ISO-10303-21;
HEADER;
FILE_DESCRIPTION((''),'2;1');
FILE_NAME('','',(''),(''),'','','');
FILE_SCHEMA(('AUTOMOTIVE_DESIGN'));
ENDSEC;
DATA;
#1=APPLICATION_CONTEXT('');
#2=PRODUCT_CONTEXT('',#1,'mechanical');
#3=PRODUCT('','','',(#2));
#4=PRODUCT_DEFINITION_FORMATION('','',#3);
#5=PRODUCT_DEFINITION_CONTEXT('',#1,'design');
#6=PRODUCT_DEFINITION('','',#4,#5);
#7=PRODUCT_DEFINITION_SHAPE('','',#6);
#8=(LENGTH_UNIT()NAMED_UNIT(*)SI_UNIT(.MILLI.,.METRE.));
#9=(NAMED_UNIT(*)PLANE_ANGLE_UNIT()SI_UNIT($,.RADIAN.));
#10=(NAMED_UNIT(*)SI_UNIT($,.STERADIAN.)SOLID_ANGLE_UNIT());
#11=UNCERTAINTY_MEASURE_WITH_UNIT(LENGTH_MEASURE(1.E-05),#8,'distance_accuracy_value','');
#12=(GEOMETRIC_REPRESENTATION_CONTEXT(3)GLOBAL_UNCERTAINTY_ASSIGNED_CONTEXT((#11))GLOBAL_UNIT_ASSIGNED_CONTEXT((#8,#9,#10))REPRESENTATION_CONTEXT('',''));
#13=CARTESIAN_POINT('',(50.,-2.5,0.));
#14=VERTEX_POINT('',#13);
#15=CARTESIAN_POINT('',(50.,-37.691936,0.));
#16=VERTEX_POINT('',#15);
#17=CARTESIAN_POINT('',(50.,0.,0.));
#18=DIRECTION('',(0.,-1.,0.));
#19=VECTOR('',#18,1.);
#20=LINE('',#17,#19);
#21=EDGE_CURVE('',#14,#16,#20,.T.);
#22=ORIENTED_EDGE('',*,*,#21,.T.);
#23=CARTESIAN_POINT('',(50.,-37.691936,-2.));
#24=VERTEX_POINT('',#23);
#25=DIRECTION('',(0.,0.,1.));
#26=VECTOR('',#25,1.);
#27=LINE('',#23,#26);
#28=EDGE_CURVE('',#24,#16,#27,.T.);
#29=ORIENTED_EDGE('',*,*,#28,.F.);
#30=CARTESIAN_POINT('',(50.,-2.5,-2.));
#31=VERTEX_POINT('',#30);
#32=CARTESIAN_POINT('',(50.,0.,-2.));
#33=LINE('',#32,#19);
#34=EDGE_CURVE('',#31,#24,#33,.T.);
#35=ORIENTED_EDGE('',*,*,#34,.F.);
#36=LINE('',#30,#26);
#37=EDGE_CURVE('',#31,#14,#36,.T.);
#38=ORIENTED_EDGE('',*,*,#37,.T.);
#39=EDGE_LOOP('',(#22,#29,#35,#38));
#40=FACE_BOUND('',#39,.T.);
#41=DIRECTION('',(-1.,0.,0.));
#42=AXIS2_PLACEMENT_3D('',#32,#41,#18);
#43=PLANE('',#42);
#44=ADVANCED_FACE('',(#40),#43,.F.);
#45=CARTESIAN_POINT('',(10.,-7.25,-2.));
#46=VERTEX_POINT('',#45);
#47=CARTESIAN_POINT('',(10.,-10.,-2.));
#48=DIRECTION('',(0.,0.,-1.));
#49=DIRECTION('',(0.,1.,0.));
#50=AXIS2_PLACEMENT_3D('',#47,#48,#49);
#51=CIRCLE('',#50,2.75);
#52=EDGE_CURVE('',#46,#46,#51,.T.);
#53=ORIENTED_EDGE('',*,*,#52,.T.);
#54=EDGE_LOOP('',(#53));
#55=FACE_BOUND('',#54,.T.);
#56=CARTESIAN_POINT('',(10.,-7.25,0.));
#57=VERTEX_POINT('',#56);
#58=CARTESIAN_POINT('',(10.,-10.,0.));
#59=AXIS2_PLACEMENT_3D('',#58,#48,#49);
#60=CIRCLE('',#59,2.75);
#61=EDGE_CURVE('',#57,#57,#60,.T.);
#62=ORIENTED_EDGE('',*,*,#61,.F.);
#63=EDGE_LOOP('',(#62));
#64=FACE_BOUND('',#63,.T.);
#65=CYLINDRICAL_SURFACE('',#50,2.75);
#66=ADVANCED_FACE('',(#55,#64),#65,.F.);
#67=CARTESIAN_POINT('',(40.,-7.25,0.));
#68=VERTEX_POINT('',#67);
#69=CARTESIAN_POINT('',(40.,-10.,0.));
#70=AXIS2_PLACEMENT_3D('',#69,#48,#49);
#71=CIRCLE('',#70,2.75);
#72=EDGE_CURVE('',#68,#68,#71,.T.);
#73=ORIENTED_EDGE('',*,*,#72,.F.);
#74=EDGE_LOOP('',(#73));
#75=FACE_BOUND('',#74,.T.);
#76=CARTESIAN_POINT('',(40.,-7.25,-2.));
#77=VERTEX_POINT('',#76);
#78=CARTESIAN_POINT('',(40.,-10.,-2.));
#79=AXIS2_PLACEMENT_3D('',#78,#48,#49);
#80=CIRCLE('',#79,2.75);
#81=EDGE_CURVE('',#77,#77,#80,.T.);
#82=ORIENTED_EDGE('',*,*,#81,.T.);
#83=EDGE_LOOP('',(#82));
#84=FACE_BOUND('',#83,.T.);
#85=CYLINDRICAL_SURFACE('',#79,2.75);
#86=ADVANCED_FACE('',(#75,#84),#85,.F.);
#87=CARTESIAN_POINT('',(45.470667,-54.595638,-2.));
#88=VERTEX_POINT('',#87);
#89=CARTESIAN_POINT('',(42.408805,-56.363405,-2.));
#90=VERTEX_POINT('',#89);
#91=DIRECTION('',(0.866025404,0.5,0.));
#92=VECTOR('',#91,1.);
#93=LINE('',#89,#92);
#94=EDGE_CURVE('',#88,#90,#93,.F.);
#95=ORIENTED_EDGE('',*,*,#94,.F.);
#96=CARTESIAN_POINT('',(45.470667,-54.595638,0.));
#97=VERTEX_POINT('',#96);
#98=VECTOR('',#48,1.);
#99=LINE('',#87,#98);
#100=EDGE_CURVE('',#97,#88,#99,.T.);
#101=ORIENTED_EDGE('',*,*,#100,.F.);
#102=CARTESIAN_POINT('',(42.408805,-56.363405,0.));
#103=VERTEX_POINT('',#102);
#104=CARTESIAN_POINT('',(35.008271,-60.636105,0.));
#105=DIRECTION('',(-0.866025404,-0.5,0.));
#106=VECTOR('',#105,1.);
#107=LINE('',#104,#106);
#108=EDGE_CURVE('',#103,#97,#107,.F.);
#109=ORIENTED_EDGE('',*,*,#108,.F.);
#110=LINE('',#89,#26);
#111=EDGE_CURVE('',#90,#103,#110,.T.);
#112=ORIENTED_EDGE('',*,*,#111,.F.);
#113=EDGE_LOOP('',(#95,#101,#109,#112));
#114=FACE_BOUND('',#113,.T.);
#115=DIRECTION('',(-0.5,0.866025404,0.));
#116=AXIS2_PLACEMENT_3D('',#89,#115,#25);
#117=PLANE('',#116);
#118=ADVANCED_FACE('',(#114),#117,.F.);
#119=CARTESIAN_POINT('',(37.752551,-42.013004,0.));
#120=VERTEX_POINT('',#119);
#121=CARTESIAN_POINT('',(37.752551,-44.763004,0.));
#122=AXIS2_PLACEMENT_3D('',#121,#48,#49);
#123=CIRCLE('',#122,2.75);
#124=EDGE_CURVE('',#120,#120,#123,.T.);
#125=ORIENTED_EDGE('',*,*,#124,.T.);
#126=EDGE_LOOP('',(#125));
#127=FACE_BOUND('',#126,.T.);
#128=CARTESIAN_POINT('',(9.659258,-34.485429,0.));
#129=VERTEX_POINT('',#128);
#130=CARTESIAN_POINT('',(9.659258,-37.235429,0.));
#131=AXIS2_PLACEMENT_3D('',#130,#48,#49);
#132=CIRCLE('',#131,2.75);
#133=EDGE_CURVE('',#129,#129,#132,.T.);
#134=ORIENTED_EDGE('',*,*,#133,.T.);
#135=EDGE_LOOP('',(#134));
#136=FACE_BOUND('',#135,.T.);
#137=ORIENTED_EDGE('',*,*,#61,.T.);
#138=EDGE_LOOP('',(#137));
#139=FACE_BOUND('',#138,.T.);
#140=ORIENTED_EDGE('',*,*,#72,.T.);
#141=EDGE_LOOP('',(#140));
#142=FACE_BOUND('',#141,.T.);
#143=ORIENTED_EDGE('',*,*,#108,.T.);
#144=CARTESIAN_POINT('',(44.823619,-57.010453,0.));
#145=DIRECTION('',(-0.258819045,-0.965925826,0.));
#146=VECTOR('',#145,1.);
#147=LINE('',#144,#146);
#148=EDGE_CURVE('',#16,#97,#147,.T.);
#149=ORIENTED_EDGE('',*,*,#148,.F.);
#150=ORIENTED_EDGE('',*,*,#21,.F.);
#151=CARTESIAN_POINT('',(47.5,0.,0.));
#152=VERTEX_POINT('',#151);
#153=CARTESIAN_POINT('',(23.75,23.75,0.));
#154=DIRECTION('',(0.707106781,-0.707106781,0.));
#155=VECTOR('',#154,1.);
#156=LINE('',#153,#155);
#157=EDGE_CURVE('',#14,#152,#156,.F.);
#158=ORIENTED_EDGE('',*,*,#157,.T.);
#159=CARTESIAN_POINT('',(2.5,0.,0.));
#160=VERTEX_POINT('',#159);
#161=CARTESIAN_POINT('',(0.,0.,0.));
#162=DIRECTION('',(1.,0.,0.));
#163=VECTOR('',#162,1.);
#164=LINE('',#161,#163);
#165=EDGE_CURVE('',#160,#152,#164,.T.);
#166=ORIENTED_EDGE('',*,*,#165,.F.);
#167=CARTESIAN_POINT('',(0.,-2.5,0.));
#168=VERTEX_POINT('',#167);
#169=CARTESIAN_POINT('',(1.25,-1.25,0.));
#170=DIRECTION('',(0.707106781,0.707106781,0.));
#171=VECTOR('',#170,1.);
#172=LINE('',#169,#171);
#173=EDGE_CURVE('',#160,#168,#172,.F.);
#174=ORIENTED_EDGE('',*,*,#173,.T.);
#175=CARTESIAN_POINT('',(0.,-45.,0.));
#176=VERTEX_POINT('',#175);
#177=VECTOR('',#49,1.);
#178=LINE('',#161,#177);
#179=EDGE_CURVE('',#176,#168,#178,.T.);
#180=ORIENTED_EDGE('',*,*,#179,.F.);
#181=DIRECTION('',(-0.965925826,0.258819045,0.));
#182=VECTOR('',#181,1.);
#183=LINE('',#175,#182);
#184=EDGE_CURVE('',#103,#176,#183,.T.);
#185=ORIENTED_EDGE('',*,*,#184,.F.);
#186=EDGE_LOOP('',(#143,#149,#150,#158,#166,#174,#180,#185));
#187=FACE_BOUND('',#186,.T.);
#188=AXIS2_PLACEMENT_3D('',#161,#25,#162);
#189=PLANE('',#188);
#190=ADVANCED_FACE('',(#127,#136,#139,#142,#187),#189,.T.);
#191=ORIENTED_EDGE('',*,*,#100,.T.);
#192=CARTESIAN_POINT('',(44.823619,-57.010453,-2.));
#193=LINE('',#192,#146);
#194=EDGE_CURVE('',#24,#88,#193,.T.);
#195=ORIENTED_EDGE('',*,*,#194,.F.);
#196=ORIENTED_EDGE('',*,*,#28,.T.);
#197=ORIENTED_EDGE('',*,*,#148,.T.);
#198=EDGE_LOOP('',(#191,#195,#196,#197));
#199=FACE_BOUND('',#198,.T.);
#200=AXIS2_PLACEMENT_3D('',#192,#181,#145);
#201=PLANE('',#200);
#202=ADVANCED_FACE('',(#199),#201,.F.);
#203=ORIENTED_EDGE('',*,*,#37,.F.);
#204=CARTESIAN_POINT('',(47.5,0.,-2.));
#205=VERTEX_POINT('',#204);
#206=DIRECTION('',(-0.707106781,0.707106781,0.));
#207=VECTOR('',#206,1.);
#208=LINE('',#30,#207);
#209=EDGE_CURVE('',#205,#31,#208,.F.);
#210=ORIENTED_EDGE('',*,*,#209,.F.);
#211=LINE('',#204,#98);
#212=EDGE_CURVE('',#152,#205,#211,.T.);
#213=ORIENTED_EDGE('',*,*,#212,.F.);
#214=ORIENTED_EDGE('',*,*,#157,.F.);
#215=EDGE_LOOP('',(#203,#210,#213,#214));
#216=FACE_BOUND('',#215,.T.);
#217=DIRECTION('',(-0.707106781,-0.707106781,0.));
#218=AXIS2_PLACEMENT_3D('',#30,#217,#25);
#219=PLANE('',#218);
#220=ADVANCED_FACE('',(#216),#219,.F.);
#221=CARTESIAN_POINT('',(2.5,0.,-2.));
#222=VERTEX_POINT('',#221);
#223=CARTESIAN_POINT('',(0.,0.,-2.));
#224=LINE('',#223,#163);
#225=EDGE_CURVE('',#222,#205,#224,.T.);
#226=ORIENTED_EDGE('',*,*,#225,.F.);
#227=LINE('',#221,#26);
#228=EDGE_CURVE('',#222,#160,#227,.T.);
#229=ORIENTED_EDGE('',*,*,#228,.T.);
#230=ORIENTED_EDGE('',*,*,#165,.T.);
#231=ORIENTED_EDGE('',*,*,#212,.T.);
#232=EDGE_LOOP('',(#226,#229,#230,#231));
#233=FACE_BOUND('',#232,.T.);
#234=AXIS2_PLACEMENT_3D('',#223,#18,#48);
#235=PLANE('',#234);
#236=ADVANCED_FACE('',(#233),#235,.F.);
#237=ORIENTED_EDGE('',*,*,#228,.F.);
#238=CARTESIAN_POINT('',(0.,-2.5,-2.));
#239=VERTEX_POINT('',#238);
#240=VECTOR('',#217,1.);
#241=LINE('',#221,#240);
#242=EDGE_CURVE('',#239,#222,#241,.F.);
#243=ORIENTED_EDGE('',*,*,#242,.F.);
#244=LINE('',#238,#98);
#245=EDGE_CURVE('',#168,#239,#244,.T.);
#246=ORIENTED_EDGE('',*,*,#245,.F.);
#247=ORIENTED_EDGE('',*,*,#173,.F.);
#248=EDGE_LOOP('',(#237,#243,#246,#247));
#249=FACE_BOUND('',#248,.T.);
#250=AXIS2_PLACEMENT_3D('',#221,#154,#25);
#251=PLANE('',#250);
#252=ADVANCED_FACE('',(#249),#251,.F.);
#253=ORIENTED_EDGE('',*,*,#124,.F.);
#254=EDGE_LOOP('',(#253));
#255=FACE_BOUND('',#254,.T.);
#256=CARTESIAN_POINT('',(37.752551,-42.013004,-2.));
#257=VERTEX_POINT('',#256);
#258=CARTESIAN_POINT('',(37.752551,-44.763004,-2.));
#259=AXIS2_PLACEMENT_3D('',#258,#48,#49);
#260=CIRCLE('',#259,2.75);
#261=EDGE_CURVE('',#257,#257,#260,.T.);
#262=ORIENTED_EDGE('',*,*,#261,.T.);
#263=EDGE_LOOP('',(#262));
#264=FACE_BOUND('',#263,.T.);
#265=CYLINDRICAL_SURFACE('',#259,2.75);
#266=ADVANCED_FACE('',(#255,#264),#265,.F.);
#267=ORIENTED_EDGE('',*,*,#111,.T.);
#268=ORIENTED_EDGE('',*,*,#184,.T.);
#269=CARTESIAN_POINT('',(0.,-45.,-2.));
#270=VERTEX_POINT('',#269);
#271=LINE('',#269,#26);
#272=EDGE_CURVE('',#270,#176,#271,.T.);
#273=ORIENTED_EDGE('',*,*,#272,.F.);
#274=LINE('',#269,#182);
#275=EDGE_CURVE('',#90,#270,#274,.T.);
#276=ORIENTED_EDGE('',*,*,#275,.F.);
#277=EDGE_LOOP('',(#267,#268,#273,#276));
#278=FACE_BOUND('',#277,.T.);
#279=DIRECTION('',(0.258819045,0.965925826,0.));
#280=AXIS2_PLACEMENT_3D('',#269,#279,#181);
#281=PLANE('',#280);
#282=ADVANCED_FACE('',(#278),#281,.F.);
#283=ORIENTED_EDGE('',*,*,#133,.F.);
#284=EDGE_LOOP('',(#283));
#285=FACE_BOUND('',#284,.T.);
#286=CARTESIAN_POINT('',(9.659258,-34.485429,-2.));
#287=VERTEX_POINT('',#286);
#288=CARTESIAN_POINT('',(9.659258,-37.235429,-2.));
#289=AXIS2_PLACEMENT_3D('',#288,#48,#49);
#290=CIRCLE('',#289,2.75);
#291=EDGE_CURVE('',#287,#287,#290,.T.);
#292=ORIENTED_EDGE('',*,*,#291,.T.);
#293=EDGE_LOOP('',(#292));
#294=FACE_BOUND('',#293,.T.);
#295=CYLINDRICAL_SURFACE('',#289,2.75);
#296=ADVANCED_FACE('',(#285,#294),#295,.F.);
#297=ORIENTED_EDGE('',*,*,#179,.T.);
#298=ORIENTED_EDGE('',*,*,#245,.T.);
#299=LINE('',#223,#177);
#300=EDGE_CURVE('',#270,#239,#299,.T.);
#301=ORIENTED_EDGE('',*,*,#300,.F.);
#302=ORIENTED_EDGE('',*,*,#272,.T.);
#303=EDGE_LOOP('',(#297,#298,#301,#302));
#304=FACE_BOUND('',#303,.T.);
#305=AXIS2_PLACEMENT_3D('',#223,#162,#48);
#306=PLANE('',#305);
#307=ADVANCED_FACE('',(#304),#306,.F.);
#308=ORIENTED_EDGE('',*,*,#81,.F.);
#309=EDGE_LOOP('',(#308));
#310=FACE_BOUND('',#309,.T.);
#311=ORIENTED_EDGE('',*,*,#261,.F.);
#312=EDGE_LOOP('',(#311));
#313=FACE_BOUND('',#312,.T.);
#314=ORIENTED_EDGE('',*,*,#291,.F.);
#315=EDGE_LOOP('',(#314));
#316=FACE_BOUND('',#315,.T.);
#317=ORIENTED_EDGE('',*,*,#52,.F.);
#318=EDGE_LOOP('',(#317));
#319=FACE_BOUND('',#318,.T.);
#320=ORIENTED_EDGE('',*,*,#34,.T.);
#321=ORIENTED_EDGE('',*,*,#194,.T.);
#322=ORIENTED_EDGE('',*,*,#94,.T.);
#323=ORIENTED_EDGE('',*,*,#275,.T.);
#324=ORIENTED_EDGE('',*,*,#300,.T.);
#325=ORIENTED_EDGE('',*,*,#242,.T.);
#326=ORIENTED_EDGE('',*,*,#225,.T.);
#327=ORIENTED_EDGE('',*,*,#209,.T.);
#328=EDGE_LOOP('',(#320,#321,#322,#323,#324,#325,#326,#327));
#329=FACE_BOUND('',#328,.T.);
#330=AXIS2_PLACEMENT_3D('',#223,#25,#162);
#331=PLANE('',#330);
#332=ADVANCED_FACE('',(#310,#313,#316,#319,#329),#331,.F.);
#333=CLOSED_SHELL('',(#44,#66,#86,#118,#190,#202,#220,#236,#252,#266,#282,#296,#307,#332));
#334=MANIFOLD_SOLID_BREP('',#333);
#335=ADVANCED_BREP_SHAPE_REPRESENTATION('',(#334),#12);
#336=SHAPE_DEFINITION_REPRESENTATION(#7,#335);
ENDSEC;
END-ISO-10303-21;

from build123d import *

# Parameters (mm, degrees)
EXTRUDE_1_DEPTH   = 2
HOLE_WIZARD_M51_D = 5.5
CHAMFER_1_SIZE    = 2.5


with BuildPart() as part:
    # Эскиз3 → Бобышка-Вытянуть1 (new body)
    with BuildSketch(Plane(origin=(0, 0, 0), x_dir=(1, 0, 0), z_dir=(0, 0, -1))):
        Polygon((0, 0), (50, 0), (50, 37.691936013), (44.823619098, 57.010452539), (0, 45), align=None)
    extrude(amount=EXTRUDE_1_DEPTH)

    # Отверстие с зазором M51 (through all)
    with Locations(Plane(origin=(0, 0, -2), x_dir=(1, 0, 0), z_dir=(0, 0, -1))):
        with Locations((10, 10), (40, 10), (9.659258263, 37.235428647), (37.752551286, 44.763003825)):
            Hole(HOLE_WIZARD_M51_D / 2)

    # Фаска1
    chamfer_1_edges = [part.edges().sort_by_distance(p)[0] for p in [
        (44.823619098, -57.010452539, -1),
        (50, 0, -1),
        (0, 0, -1),
    ]]
    chamfer(chamfer_1_edges, length=CHAMFER_1_SIZE)


solid = part.part
